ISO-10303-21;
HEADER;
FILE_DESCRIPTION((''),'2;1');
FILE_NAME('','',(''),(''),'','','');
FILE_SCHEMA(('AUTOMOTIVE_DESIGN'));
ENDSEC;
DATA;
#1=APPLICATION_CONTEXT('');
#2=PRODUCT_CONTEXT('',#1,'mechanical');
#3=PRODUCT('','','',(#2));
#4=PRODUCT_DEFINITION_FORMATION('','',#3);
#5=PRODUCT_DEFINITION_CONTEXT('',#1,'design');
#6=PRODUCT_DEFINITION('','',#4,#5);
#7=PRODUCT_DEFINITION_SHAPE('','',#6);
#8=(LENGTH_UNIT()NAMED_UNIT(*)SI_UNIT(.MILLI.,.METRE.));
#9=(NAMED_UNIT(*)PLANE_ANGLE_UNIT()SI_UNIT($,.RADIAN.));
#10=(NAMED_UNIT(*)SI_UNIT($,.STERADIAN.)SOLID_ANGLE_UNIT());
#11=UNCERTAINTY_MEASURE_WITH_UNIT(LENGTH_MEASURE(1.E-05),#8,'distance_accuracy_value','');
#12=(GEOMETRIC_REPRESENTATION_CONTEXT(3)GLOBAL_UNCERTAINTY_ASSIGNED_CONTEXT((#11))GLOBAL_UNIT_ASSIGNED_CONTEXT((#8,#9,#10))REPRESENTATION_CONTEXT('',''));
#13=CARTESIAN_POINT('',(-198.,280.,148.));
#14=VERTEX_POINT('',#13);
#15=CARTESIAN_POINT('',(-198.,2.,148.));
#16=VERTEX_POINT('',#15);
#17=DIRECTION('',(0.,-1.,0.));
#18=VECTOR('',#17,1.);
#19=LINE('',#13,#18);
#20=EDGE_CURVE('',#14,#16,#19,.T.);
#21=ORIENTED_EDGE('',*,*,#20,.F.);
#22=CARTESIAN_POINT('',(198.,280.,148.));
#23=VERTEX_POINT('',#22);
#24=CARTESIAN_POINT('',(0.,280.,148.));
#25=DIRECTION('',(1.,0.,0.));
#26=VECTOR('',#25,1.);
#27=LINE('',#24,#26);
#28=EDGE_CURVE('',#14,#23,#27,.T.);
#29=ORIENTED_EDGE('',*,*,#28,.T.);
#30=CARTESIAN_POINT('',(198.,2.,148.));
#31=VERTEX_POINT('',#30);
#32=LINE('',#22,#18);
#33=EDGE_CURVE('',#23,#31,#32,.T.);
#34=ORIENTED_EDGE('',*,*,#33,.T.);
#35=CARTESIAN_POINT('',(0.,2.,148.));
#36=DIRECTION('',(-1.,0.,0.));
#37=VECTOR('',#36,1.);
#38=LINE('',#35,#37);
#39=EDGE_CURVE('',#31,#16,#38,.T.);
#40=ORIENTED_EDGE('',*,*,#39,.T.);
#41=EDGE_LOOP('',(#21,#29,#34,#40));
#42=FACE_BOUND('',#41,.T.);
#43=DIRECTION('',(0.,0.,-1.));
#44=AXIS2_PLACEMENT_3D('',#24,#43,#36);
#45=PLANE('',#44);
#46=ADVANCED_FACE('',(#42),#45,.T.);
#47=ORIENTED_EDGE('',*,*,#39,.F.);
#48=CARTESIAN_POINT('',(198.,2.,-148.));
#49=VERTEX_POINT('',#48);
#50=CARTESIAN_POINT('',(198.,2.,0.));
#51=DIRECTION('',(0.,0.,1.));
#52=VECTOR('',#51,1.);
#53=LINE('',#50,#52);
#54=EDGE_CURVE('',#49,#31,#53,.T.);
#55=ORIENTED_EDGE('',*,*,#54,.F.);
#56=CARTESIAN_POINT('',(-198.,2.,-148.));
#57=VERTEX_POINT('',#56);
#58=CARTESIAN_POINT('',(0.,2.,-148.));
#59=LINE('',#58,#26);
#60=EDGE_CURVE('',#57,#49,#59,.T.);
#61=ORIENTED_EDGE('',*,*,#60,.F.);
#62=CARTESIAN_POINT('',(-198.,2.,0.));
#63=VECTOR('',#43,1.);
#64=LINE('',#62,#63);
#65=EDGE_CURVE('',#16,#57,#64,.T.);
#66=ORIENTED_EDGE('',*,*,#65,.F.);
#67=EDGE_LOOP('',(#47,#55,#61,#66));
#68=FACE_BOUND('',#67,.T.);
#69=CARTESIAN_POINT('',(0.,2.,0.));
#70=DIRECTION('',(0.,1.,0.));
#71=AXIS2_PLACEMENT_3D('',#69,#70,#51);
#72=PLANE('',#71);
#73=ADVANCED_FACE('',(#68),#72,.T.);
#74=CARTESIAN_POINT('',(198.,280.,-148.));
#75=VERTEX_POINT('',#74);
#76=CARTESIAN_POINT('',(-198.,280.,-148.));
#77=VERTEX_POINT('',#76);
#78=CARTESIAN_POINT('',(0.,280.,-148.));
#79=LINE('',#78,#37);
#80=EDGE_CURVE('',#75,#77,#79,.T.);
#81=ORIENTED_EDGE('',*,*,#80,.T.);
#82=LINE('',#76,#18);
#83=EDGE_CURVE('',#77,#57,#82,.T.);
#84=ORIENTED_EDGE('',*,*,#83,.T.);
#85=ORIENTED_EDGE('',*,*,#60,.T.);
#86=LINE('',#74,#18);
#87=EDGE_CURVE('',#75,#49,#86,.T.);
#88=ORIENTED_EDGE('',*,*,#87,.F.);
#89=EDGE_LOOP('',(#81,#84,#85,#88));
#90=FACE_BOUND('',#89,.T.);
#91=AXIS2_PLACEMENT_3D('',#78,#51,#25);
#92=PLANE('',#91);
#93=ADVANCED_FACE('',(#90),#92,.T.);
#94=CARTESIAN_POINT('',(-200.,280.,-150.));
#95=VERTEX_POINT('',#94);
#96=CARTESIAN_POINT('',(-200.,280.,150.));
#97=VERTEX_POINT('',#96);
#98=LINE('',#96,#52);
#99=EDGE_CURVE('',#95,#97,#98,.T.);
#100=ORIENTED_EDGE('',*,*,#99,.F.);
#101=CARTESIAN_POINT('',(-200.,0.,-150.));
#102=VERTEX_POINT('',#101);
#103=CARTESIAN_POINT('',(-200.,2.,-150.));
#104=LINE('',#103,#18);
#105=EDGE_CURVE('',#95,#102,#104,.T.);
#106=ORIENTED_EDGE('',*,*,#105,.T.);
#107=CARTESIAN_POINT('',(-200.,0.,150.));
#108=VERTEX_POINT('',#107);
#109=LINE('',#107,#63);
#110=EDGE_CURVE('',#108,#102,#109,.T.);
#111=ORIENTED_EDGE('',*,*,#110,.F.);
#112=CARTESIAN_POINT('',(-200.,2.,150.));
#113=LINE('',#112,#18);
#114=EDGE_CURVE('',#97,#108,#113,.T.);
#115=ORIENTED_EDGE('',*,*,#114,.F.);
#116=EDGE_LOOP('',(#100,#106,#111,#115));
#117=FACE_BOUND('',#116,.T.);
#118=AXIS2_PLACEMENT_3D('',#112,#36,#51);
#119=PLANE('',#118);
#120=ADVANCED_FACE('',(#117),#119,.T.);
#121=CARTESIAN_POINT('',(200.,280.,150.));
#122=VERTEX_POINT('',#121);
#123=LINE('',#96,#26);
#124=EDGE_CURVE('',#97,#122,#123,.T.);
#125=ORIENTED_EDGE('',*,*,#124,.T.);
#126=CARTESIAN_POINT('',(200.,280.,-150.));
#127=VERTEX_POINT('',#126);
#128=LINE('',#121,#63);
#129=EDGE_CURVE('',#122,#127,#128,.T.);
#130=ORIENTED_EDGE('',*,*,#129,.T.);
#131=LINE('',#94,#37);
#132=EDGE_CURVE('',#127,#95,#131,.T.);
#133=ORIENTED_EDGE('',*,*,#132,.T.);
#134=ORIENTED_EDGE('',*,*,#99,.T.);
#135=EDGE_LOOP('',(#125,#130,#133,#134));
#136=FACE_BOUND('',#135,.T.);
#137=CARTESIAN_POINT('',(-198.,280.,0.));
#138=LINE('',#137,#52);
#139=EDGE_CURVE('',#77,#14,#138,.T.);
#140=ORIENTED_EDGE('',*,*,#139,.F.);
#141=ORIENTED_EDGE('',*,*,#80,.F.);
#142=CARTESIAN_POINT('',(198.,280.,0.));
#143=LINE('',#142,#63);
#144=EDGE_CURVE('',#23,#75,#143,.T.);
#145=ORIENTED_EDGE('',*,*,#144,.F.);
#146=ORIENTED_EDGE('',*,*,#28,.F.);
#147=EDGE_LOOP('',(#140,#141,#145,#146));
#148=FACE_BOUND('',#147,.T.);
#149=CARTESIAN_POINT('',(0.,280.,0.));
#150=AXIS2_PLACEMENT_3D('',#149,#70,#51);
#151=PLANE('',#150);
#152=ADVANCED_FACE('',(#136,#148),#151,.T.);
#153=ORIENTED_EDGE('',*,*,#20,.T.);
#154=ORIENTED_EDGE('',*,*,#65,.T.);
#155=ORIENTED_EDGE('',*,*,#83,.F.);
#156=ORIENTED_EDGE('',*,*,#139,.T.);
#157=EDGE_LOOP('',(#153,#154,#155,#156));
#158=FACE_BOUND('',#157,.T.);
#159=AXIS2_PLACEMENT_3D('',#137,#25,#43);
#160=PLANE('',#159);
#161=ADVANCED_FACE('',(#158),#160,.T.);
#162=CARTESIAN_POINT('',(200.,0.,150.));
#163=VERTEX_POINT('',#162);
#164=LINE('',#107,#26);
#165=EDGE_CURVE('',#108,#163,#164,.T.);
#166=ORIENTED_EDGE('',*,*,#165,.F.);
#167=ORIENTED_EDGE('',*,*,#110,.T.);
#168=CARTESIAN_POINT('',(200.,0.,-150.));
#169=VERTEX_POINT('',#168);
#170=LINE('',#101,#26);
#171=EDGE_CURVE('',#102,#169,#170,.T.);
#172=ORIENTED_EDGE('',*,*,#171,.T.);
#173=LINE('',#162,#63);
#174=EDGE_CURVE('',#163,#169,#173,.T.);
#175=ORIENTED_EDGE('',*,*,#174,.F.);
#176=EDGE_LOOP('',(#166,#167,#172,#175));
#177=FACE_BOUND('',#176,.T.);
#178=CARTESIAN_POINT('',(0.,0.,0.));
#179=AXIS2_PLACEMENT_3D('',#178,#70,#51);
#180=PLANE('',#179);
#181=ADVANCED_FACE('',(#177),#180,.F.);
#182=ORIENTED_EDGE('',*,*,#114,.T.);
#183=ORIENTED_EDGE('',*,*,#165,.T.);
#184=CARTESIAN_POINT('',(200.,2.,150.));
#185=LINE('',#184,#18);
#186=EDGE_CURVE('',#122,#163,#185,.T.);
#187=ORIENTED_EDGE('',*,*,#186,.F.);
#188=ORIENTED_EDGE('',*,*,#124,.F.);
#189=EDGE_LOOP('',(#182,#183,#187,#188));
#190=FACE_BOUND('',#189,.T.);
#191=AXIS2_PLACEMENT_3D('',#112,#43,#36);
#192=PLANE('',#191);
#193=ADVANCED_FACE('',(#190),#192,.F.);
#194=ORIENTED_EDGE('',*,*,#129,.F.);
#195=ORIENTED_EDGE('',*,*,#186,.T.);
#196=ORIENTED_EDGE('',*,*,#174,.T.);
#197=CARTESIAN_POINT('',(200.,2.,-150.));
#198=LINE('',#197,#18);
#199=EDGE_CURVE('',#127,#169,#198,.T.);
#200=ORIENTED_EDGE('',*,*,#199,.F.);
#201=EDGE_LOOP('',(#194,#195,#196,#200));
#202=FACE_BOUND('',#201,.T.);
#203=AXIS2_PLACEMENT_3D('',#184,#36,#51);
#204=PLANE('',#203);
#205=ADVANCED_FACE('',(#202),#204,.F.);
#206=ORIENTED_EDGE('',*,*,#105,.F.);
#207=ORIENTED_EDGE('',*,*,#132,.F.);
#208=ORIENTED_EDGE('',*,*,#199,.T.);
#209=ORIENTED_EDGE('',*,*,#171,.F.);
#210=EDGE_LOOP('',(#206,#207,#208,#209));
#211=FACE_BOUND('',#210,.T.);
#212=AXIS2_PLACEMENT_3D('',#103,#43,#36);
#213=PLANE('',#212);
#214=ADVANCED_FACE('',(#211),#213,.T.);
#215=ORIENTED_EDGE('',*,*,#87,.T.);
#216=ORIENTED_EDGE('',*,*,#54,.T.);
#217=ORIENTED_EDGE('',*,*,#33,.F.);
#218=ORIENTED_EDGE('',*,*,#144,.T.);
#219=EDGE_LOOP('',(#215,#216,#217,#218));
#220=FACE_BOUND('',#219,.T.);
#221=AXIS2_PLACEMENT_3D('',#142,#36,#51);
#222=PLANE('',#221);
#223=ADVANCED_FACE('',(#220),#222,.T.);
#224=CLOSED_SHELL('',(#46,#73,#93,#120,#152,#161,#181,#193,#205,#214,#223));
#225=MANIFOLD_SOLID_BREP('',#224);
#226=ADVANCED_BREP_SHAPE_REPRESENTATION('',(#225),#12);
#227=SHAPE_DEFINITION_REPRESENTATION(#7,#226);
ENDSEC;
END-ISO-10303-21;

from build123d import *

# Parameters (mm, degrees)
SKETCH_1_W        = 400
SKETCH_1_H        = 300
EXTRUDE_282_DEPTH = 2
SKETCH_1_3_W      = 400
SKETCH_1_3_H      = 300
SKETCH_1_3_W_2    = 396
SKETCH_1_3_H_2    = 296
EXTRUDE_337_DEPTH = 280


with BuildPart() as part:
    # 草图1 → Extrude 282 (new body)
    with BuildSketch(Plane(origin=(0, 0, 0), x_dir=(1, 0, 0), z_dir=(0, 1, 0))):
        Rectangle(SKETCH_1_W, SKETCH_1_H)
    extrude(amount=EXTRUDE_282_DEPTH)

    # 草图1<3> → Extrude 337 (add)
    with BuildSketch(Plane(origin=(0, 0, 0), x_dir=(1, 0, 0), z_dir=(0, 1, 0))):
        Rectangle(SKETCH_1_3_W, SKETCH_1_3_H)
        Rectangle(SKETCH_1_3_W_2, SKETCH_1_3_H_2, mode=Mode.SUBTRACT)
    extrude(amount=EXTRUDE_337_DEPTH)


solid = part.part
